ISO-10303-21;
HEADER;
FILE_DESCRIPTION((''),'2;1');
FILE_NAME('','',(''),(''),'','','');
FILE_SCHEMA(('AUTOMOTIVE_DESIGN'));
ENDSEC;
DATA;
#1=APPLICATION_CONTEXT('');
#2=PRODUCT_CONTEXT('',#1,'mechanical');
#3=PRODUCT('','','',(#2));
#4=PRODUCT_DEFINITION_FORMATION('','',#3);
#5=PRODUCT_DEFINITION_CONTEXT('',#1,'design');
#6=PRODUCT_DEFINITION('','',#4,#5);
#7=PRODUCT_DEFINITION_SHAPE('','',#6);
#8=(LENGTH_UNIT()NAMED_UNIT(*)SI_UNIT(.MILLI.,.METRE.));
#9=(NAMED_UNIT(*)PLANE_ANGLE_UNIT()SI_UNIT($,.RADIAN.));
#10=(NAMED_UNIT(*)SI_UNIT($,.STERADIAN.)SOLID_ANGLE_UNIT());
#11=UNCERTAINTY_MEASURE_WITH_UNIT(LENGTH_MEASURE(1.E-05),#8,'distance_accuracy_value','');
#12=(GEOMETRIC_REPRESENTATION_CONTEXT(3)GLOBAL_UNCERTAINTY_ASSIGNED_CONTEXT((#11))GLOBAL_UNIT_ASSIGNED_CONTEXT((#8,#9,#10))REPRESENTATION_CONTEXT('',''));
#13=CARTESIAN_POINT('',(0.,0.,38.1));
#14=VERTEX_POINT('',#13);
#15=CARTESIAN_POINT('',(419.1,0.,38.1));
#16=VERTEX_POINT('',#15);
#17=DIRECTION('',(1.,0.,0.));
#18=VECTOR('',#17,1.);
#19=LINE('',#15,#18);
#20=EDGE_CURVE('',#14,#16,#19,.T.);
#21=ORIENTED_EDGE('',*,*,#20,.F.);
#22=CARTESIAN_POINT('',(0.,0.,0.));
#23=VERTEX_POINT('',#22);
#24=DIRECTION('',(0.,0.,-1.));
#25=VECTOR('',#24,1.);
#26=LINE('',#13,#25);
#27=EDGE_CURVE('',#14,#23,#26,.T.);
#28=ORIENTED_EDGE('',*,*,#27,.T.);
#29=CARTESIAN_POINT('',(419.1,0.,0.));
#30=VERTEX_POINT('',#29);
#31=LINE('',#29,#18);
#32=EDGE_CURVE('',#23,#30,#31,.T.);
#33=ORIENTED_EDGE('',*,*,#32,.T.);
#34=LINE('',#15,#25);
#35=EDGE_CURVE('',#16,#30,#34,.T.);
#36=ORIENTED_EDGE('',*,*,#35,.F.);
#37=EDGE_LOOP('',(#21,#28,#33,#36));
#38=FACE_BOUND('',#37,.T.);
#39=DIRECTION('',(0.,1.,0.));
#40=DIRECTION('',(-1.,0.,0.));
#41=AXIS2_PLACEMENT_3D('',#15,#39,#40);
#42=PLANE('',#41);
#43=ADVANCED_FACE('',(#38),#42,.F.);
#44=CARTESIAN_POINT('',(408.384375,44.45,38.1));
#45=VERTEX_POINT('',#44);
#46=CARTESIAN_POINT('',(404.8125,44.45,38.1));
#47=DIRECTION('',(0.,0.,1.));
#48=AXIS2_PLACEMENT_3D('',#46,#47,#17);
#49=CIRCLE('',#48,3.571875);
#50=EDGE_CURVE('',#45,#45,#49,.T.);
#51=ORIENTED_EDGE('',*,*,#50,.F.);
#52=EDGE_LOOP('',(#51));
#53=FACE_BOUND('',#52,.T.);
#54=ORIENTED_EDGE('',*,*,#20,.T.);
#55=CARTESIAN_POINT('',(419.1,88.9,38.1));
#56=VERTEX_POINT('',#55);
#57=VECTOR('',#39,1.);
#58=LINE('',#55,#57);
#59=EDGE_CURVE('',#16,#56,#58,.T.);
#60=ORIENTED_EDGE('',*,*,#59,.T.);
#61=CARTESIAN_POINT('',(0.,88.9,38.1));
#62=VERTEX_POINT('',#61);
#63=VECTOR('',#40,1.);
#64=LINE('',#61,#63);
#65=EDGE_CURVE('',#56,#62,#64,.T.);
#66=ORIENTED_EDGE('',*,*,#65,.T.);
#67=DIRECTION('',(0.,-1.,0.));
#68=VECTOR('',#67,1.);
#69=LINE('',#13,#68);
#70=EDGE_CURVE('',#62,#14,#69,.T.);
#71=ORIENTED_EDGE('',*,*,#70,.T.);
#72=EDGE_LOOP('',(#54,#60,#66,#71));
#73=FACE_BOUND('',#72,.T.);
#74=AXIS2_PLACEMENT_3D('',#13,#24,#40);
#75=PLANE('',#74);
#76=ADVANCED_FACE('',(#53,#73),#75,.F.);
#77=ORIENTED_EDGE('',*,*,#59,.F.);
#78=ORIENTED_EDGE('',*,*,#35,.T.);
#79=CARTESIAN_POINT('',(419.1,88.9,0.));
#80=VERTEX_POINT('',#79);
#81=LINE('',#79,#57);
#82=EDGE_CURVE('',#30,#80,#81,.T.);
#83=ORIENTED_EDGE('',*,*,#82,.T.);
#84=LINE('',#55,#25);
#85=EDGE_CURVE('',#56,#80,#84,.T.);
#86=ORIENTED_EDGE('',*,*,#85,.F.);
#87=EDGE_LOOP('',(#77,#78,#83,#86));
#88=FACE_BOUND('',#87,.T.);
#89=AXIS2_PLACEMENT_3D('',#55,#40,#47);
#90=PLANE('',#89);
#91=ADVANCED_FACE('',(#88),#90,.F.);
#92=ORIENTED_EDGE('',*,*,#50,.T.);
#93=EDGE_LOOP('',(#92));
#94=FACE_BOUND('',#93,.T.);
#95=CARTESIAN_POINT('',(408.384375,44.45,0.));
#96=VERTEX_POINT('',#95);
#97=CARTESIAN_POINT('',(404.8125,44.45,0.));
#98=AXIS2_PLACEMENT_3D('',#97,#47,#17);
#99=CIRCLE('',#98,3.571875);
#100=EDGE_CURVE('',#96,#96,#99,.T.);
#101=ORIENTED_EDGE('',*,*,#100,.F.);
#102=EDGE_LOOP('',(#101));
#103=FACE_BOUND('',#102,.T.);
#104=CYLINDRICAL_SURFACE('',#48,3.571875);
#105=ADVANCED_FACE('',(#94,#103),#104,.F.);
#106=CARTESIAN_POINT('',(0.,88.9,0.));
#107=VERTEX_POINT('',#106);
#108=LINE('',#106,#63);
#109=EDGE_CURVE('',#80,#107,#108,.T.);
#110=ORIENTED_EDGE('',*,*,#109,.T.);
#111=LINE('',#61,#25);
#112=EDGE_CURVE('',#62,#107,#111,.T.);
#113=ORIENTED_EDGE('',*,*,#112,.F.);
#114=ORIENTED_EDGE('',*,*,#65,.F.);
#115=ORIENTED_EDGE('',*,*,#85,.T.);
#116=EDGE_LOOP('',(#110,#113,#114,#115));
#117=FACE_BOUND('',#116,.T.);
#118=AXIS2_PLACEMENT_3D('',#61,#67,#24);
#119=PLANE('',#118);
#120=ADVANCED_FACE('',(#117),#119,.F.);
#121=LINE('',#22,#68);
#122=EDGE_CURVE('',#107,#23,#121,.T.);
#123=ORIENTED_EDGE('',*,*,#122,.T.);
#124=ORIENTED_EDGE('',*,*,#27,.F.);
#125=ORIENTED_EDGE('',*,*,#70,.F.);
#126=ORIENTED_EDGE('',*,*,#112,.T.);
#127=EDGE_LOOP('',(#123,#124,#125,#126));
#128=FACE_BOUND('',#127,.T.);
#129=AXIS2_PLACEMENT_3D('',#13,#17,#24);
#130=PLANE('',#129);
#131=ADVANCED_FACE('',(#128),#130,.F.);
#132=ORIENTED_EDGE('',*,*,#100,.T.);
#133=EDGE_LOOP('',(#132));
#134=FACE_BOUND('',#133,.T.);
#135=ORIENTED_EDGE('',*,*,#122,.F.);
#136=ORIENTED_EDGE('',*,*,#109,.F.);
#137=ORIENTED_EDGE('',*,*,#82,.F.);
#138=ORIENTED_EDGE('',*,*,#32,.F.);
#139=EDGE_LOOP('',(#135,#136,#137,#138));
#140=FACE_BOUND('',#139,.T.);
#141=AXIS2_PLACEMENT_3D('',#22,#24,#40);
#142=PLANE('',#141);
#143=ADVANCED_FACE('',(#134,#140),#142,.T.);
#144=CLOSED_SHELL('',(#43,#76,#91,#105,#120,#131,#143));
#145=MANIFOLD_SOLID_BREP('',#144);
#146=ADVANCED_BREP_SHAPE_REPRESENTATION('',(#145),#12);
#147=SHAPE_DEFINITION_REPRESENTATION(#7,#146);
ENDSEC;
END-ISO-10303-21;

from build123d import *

# Parameters (mm, degrees)
SKETCH1_W                       = 419.1
SKETCH1_H                       = 88.9
BOSS_EXTRUDE1_DEPTH             = 38.1
F_9_32_0_28125_DIAMETER_HOLE1_D = 7.14375


with BuildPart() as part:
    # Sketch1 → Boss-Extrude1 (new body)
    with BuildSketch(Plane.XY):
        with Locations((209.55, 44.45)):
            Rectangle(SKETCH1_W, SKETCH1_H)
    extrude(amount=BOSS_EXTRUDE1_DEPTH)

    # 9/32 (0.28125) Diameter Hole1 (through all)
    with Locations(Plane.XY.offset(38.1)):
        with Locations((404.8125, 44.45)):
            Hole(F_9_32_0_28125_DIAMETER_HOLE1_D / 2)


solid = part.part
